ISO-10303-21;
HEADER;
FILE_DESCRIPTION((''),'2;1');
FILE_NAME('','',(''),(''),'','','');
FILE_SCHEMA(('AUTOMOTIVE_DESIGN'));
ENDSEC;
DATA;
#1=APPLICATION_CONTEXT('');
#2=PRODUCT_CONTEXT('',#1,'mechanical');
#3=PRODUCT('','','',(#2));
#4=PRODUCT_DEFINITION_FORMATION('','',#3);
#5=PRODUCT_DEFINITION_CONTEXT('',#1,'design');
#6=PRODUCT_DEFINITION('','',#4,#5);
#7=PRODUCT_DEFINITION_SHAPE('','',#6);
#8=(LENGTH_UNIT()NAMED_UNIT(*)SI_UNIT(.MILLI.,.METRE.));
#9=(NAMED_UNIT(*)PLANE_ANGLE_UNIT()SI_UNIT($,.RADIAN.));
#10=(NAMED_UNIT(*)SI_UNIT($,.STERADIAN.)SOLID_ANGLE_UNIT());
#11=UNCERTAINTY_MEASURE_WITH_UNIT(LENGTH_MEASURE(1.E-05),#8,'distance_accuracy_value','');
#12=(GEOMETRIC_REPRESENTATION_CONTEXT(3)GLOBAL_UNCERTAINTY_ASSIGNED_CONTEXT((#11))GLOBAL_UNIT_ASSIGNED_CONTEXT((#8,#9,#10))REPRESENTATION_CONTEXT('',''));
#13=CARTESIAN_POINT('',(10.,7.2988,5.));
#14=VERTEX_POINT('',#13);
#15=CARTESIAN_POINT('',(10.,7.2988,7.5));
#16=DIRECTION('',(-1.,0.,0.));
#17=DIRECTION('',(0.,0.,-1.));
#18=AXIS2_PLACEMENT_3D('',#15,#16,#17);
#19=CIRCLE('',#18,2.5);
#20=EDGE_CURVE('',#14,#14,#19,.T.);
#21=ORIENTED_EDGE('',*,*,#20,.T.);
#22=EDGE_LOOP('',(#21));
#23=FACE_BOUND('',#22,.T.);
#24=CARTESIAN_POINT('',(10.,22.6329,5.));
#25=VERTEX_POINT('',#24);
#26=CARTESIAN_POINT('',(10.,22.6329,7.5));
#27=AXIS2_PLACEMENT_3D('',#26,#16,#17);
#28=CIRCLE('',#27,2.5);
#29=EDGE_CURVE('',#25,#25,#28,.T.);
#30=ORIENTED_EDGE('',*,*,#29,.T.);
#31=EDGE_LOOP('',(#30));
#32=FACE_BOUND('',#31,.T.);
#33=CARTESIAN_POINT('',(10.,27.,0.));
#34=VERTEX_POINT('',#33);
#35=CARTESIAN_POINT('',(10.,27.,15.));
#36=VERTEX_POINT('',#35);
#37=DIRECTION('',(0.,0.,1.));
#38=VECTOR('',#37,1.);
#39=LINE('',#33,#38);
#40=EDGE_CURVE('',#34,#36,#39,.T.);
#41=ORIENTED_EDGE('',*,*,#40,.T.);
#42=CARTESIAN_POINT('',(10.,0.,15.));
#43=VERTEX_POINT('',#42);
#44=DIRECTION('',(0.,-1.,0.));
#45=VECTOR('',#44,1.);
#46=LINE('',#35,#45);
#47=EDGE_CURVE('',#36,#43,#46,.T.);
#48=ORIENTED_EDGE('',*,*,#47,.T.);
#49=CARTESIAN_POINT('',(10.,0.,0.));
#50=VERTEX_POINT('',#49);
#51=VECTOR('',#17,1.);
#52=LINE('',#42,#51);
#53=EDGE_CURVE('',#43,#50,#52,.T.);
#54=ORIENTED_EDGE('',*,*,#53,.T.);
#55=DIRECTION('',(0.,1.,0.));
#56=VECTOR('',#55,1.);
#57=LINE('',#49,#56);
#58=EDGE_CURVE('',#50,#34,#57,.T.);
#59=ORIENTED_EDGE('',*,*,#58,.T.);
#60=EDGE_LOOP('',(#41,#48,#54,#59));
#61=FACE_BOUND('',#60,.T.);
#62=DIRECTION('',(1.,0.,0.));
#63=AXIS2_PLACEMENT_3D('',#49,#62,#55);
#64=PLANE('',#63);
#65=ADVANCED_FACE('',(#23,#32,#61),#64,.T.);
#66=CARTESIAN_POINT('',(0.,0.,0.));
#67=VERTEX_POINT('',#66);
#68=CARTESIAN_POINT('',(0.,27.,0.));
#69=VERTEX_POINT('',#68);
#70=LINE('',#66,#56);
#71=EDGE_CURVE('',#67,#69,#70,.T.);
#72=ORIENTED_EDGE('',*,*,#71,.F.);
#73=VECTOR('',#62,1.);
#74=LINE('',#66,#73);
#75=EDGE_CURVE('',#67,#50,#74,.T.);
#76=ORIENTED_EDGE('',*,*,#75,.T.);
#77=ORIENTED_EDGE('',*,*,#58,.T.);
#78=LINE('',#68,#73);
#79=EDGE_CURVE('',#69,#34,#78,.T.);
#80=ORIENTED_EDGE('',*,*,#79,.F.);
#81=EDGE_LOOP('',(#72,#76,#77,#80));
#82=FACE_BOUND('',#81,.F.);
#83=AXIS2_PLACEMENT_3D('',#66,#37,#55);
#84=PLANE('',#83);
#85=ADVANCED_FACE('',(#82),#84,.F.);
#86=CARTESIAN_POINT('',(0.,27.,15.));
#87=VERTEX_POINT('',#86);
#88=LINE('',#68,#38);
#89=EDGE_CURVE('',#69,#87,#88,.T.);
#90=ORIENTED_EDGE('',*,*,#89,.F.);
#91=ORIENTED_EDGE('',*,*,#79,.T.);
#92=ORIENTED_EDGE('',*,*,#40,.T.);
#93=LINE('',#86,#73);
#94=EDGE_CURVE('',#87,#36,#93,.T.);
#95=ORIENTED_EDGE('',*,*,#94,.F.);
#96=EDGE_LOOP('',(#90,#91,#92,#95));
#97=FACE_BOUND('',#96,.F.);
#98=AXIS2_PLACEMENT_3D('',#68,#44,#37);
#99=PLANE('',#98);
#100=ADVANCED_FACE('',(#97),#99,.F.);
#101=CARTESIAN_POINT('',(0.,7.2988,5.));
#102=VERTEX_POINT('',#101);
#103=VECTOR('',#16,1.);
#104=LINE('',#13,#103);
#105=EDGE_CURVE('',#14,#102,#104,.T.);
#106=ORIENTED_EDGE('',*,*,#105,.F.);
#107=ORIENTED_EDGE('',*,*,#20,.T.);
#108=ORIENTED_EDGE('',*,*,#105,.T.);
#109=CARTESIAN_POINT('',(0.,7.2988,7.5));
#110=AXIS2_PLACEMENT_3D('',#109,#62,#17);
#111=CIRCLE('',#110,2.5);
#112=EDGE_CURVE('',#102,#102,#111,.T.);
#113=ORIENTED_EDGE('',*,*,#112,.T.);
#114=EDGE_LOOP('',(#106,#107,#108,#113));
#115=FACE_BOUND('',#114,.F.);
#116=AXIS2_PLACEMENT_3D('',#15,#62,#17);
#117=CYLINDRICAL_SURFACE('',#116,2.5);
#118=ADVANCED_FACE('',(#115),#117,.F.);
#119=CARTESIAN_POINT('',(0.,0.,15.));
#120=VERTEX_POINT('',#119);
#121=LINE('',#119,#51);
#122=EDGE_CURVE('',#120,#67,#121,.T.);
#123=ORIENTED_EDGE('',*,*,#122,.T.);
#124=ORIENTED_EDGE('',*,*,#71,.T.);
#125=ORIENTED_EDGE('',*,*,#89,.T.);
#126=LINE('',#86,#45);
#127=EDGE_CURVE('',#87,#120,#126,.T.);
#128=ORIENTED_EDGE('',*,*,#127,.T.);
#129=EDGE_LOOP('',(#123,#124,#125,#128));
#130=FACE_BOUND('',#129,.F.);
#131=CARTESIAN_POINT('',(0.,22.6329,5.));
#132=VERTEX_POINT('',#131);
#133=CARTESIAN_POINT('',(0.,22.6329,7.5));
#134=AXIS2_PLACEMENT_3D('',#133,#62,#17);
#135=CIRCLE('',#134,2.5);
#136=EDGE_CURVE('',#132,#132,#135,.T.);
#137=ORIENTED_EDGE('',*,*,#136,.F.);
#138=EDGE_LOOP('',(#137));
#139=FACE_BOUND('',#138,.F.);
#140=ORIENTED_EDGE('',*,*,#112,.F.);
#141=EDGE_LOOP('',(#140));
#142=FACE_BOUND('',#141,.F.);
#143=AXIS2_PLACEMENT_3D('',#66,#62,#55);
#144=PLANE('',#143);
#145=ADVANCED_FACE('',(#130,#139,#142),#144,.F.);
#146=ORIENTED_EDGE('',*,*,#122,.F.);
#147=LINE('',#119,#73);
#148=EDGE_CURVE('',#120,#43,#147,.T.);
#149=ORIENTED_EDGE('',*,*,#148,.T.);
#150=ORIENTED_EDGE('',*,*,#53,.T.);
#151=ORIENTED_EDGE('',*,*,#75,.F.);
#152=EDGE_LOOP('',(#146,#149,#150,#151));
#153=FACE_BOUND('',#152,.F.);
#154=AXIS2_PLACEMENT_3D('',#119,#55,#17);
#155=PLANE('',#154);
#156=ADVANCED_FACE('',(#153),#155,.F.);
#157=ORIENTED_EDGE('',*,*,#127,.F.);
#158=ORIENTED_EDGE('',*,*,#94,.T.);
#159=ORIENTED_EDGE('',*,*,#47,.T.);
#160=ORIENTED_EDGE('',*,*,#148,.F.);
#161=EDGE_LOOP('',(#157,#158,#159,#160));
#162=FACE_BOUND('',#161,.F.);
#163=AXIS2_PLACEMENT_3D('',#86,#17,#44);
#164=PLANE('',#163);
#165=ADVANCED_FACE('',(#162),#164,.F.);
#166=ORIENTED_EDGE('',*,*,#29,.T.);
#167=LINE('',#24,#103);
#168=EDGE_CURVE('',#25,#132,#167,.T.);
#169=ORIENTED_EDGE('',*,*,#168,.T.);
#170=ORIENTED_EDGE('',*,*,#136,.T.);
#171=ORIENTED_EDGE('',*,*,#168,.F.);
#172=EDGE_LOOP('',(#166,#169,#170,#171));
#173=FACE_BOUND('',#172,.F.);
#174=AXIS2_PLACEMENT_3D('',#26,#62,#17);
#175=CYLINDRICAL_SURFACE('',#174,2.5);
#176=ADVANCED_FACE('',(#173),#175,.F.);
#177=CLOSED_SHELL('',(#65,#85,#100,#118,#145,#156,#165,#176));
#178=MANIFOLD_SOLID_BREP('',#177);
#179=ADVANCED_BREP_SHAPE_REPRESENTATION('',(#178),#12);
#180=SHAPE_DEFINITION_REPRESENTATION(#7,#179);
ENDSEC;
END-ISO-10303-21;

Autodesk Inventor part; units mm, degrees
ref_plane "YZ Plane" through (0, 0, 0) normal (1, 0, 0) x (0, 1, 0)
ref_plane "XZ Plane" through (0, 0, 0) normal (0, 1, 0) x (-1, 0, 0)
ref_plane "XY Plane" through (0, 0, 0) normal (0, 0, 1) x (1, 0, 0)
sketch "Sketch1" plane through (0, 0, 0) normal (1, 0, 0) x (0, 1, 0)
  line L0 (0, 0) -> (27, 0)
  line L1 (27, 0) -> (27, 15)
  line L2 (27, 15) -> (0, 15)
  line L3 (0, 15) -> (0, 0)
  dimension "d0" = 27
  dimension "d1" = 15
extrude "Extrusion1" add sketch "Sketch1" along normal blind 10
sketch "Sketch2" plane through (10, 0, 0) normal (1, 0, 0) x (0, 0, -1)
  line L0 (0, 27) -> (-15, 27) projected
  line L1 (-7.5, 27) -> (-7.5, 0)
  line L2 (-15, 0) -> (0, 0) projected
  line L3 (-10.4795, 25.2) -> (-4.5199, 25.2)
  circle A0 centre (-7.5, 22.6329) radius 2.5
  line L4 (-10.4795, 10) -> (-5, 10)
  circle A1 centre (-7.5, 7.2988) radius 2.5
  dimension "d4" = 1.8
  dimension "d5" = 5
  dimension "d6" = 17
  dimension "d7" = 5
extrude "Extrusion2" cut sketch "Sketch2" against normal blind 10
sketch "Sketch3" plane through (10, 0, 0) normal (1, 0, 0) x (0, 0, -1)
  point P0 (0, 0)
